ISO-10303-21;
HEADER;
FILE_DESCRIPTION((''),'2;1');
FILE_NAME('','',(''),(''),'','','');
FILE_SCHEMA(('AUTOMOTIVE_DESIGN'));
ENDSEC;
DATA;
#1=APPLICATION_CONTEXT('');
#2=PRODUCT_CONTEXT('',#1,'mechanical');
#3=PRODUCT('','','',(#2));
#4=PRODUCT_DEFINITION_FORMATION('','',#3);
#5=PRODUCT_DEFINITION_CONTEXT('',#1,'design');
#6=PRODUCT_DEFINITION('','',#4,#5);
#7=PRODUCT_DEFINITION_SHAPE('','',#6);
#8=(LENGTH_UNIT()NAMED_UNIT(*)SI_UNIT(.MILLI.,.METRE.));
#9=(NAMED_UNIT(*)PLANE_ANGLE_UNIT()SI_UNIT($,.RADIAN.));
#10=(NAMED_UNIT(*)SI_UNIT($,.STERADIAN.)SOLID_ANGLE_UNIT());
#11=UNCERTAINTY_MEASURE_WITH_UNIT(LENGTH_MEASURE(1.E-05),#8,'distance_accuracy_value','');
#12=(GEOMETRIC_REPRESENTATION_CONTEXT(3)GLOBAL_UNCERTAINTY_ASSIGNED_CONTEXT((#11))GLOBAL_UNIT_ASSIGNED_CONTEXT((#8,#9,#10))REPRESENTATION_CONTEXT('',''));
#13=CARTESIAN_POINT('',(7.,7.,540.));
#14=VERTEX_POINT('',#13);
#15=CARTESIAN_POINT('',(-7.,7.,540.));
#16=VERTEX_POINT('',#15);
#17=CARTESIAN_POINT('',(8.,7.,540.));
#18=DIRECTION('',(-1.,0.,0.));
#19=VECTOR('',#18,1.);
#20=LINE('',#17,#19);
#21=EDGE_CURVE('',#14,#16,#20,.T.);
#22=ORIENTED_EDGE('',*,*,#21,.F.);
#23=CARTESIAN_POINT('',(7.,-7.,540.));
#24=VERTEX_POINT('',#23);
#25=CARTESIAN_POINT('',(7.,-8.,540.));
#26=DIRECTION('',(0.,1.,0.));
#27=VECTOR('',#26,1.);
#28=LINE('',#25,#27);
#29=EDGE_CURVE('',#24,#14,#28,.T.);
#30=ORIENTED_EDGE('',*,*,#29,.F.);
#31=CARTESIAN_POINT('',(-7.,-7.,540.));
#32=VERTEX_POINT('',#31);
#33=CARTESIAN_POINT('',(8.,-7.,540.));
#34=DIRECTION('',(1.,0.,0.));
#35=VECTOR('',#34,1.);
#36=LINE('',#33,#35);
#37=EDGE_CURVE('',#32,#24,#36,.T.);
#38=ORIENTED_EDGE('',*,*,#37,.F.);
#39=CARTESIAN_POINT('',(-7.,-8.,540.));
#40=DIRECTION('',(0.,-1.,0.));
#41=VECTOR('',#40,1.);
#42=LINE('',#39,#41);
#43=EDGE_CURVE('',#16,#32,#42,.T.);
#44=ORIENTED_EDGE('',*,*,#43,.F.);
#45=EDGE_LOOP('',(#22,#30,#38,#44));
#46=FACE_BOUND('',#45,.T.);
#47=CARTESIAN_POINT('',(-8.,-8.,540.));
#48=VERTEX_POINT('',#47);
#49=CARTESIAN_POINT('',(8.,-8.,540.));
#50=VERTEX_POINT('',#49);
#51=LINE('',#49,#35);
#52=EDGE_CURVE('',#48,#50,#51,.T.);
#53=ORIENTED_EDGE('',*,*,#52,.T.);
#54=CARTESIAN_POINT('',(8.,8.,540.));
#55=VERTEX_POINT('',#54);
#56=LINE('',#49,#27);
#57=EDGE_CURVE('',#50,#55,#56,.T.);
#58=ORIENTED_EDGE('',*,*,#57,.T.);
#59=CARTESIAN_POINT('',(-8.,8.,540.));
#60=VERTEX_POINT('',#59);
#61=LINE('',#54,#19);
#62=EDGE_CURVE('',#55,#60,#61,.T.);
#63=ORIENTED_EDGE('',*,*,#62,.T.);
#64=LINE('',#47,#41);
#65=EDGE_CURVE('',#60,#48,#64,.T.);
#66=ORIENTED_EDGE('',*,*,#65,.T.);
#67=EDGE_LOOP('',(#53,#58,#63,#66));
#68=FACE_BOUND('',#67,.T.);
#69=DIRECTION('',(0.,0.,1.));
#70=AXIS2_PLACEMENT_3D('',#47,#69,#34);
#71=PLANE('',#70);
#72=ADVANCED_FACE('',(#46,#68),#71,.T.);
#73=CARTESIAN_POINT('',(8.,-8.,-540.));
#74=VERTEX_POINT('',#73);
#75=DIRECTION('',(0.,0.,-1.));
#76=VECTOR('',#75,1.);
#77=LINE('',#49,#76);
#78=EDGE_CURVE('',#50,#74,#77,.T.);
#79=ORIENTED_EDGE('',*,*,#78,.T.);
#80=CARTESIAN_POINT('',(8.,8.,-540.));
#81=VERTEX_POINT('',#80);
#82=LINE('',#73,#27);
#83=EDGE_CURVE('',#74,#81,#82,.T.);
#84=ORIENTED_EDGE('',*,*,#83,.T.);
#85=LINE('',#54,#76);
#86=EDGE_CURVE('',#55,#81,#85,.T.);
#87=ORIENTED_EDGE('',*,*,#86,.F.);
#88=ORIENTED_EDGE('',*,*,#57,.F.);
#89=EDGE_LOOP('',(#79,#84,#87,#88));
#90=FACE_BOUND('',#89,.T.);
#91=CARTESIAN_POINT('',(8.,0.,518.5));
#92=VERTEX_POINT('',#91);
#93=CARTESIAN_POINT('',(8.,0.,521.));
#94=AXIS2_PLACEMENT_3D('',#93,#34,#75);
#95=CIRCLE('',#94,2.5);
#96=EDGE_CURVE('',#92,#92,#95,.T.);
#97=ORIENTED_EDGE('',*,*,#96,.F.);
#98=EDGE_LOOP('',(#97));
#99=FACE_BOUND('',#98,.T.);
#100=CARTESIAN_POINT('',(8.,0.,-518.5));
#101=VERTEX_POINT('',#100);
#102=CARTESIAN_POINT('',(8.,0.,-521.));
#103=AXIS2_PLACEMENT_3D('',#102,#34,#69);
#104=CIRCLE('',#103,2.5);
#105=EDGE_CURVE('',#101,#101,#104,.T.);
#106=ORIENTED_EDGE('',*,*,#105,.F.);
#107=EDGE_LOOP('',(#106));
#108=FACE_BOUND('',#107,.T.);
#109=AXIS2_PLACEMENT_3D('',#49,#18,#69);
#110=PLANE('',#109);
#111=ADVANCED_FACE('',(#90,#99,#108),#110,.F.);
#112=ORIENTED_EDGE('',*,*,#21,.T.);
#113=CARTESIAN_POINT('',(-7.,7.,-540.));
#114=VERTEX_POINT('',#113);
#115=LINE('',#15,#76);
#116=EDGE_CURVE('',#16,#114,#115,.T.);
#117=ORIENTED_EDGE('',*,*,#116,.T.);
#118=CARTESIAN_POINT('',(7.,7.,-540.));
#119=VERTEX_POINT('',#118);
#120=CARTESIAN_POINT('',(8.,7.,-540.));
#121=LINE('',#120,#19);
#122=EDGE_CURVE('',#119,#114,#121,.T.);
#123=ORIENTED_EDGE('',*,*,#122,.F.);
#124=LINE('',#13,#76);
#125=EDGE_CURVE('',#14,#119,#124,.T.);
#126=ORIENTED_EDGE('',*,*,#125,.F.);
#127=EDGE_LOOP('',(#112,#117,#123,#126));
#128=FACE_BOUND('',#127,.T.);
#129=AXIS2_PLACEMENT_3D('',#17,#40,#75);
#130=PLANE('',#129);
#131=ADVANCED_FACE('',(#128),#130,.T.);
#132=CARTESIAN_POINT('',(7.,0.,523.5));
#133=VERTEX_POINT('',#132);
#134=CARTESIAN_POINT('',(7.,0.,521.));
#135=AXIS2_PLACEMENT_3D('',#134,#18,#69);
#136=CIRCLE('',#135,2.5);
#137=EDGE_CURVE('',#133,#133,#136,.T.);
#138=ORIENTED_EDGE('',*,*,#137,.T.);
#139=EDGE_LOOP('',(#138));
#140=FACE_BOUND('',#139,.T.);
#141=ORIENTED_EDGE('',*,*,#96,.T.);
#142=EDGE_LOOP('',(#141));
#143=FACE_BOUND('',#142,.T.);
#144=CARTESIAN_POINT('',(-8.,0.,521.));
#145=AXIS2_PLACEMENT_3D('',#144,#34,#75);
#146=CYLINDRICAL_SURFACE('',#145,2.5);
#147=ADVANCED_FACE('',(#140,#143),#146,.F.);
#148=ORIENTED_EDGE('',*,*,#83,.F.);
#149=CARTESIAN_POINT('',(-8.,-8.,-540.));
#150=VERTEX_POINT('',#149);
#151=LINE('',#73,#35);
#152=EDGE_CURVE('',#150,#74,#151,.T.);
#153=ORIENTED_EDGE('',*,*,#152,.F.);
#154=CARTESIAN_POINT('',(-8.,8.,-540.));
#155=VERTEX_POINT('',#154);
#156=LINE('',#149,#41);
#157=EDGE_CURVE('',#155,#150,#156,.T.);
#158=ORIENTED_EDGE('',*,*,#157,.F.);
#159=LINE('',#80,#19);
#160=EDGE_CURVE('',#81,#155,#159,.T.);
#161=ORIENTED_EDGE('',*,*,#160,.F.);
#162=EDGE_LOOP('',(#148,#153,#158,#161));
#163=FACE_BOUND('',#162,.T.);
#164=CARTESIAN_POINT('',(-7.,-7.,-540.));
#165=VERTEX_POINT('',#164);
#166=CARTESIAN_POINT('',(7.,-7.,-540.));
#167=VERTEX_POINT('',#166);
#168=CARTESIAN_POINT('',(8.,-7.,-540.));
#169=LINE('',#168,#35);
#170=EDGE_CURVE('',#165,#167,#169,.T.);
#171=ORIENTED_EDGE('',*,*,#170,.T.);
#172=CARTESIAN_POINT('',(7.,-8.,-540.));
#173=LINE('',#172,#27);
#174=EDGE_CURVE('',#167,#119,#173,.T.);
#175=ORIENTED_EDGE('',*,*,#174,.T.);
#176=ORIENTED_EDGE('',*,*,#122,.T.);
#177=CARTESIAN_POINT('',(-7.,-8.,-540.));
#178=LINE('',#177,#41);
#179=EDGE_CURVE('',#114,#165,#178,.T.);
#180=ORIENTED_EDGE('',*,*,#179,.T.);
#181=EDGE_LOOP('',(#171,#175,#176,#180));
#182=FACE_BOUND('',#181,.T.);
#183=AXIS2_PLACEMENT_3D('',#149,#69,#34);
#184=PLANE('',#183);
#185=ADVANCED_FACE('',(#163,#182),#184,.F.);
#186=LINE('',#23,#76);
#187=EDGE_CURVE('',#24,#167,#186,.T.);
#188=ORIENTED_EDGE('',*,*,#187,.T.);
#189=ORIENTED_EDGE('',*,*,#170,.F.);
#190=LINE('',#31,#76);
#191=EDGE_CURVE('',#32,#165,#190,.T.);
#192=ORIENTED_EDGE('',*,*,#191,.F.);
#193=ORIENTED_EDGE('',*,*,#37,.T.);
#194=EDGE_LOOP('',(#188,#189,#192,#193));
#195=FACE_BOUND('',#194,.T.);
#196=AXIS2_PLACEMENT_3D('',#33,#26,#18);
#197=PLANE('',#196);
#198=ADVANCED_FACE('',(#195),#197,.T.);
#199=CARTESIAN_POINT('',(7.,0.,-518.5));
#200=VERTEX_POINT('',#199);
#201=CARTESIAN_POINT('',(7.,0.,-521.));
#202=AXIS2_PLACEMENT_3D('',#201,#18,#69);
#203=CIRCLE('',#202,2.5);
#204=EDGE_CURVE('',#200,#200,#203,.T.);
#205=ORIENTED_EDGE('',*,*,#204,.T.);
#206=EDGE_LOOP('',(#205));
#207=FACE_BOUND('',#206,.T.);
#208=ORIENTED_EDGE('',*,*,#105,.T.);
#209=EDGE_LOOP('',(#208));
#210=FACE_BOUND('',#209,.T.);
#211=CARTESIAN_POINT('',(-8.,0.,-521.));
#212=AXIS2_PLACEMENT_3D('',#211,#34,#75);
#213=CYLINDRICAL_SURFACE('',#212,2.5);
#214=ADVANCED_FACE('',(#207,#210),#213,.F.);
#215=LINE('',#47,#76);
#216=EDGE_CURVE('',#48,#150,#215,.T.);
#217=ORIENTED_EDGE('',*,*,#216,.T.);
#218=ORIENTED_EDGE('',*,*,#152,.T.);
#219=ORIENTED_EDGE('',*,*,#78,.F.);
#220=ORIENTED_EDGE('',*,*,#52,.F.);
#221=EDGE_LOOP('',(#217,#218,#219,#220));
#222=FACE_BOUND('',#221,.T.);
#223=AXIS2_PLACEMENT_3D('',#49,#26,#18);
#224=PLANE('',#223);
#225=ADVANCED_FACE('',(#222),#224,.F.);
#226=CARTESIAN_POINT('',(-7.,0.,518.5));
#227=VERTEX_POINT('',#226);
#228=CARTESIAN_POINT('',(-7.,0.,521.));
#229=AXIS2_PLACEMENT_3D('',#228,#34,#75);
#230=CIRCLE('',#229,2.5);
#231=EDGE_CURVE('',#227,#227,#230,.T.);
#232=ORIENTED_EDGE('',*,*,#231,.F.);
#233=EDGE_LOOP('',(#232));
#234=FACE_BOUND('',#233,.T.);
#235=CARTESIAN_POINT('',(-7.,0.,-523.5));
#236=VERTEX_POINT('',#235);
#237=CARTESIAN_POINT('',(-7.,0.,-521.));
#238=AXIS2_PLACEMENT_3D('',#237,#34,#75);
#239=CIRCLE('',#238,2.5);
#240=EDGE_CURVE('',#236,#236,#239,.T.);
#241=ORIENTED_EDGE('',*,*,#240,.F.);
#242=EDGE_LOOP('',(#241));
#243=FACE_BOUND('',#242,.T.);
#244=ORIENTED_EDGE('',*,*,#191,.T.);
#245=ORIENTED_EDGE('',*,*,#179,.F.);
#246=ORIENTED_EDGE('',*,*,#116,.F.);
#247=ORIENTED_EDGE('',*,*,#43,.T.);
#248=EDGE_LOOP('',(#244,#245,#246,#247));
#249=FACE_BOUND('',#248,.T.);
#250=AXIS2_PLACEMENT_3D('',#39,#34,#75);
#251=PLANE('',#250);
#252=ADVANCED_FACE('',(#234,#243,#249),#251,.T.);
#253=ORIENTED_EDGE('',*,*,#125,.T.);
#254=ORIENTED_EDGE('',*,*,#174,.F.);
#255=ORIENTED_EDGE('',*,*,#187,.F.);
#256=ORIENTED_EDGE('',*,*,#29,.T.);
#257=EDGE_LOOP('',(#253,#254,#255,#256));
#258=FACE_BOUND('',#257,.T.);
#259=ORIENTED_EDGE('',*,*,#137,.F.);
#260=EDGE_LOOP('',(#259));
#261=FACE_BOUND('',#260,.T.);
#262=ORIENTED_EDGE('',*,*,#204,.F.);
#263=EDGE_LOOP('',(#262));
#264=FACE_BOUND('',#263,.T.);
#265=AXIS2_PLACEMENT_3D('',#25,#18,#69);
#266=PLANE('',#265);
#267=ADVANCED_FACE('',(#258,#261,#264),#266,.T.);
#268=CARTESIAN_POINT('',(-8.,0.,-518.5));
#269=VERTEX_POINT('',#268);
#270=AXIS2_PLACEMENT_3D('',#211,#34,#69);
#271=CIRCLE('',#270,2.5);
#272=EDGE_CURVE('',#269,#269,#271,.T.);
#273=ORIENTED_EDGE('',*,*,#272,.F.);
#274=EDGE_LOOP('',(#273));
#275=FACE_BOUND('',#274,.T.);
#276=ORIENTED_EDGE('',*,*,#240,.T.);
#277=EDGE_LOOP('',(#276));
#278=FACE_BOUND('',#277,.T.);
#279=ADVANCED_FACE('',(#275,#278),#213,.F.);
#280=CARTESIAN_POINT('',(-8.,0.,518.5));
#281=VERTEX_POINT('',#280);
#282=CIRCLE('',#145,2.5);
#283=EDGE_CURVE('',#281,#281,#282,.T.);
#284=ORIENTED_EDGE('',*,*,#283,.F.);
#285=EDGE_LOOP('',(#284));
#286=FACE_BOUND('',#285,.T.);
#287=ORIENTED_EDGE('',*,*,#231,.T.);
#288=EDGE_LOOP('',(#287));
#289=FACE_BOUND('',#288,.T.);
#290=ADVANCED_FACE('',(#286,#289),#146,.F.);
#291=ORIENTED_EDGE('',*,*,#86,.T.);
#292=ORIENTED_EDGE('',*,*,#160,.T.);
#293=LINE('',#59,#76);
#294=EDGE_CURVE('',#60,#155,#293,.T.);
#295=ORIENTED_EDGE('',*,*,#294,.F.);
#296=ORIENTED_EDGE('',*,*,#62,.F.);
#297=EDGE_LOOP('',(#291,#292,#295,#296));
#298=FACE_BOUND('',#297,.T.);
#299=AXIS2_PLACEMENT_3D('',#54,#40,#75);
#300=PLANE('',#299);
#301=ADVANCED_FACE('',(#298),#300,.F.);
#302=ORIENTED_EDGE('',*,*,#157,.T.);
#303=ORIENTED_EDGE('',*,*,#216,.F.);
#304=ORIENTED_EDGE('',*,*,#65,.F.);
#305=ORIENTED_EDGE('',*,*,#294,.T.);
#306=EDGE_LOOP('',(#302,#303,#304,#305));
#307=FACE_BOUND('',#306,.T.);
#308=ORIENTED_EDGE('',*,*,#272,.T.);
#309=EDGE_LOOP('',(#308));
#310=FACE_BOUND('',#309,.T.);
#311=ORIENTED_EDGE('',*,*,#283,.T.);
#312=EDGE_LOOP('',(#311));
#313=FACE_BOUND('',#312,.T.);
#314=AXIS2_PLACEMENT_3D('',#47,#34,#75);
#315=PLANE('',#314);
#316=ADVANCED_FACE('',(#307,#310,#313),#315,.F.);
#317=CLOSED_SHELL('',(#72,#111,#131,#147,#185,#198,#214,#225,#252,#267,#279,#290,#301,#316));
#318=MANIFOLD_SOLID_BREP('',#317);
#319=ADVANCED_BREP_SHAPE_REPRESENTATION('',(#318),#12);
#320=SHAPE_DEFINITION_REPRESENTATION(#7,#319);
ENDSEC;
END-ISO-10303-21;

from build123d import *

# Parameters (mm, degrees)
CROQUIS1_W            = 16
CROQUIS1_H            = 16
CROQUIS1_W_2          = 14
CROQUIS1_H_2          = 14
EXTRUIR_L_MINA1_DEPTH = 540
CROQUIS2_R            = 2.5
EXTRUIR1_DEPTH        = 541.296215052


with BuildPart() as part:
    # Croquis1 → Extruir-Lámina1 (new, symmetric)
    with BuildSketch(Plane.XY):
        Rectangle(CROQUIS1_W, CROQUIS1_H)
        Rectangle(CROQUIS1_W_2, CROQUIS1_H_2, mode=Mode.SUBTRACT)
    extrude(amount=EXTRUIR_L_MINA1_DEPTH, both=True)

    # Croquis2 → Extruir1 (cut, through all)
    with BuildSketch(Plane(origin=(8, 0, 0), x_dir=(0, 0, -1), z_dir=(1, 0, 0))):
        with Locations((-521, 0)):
            Circle(CROQUIS2_R)
        with Locations(Location((521, 0, 0), (0, 0, 180))):
            Circle(CROQUIS2_R)
    extrude(amount=-EXTRUIR1_DEPTH, mode=Mode.SUBTRACT)


solid = part.part
